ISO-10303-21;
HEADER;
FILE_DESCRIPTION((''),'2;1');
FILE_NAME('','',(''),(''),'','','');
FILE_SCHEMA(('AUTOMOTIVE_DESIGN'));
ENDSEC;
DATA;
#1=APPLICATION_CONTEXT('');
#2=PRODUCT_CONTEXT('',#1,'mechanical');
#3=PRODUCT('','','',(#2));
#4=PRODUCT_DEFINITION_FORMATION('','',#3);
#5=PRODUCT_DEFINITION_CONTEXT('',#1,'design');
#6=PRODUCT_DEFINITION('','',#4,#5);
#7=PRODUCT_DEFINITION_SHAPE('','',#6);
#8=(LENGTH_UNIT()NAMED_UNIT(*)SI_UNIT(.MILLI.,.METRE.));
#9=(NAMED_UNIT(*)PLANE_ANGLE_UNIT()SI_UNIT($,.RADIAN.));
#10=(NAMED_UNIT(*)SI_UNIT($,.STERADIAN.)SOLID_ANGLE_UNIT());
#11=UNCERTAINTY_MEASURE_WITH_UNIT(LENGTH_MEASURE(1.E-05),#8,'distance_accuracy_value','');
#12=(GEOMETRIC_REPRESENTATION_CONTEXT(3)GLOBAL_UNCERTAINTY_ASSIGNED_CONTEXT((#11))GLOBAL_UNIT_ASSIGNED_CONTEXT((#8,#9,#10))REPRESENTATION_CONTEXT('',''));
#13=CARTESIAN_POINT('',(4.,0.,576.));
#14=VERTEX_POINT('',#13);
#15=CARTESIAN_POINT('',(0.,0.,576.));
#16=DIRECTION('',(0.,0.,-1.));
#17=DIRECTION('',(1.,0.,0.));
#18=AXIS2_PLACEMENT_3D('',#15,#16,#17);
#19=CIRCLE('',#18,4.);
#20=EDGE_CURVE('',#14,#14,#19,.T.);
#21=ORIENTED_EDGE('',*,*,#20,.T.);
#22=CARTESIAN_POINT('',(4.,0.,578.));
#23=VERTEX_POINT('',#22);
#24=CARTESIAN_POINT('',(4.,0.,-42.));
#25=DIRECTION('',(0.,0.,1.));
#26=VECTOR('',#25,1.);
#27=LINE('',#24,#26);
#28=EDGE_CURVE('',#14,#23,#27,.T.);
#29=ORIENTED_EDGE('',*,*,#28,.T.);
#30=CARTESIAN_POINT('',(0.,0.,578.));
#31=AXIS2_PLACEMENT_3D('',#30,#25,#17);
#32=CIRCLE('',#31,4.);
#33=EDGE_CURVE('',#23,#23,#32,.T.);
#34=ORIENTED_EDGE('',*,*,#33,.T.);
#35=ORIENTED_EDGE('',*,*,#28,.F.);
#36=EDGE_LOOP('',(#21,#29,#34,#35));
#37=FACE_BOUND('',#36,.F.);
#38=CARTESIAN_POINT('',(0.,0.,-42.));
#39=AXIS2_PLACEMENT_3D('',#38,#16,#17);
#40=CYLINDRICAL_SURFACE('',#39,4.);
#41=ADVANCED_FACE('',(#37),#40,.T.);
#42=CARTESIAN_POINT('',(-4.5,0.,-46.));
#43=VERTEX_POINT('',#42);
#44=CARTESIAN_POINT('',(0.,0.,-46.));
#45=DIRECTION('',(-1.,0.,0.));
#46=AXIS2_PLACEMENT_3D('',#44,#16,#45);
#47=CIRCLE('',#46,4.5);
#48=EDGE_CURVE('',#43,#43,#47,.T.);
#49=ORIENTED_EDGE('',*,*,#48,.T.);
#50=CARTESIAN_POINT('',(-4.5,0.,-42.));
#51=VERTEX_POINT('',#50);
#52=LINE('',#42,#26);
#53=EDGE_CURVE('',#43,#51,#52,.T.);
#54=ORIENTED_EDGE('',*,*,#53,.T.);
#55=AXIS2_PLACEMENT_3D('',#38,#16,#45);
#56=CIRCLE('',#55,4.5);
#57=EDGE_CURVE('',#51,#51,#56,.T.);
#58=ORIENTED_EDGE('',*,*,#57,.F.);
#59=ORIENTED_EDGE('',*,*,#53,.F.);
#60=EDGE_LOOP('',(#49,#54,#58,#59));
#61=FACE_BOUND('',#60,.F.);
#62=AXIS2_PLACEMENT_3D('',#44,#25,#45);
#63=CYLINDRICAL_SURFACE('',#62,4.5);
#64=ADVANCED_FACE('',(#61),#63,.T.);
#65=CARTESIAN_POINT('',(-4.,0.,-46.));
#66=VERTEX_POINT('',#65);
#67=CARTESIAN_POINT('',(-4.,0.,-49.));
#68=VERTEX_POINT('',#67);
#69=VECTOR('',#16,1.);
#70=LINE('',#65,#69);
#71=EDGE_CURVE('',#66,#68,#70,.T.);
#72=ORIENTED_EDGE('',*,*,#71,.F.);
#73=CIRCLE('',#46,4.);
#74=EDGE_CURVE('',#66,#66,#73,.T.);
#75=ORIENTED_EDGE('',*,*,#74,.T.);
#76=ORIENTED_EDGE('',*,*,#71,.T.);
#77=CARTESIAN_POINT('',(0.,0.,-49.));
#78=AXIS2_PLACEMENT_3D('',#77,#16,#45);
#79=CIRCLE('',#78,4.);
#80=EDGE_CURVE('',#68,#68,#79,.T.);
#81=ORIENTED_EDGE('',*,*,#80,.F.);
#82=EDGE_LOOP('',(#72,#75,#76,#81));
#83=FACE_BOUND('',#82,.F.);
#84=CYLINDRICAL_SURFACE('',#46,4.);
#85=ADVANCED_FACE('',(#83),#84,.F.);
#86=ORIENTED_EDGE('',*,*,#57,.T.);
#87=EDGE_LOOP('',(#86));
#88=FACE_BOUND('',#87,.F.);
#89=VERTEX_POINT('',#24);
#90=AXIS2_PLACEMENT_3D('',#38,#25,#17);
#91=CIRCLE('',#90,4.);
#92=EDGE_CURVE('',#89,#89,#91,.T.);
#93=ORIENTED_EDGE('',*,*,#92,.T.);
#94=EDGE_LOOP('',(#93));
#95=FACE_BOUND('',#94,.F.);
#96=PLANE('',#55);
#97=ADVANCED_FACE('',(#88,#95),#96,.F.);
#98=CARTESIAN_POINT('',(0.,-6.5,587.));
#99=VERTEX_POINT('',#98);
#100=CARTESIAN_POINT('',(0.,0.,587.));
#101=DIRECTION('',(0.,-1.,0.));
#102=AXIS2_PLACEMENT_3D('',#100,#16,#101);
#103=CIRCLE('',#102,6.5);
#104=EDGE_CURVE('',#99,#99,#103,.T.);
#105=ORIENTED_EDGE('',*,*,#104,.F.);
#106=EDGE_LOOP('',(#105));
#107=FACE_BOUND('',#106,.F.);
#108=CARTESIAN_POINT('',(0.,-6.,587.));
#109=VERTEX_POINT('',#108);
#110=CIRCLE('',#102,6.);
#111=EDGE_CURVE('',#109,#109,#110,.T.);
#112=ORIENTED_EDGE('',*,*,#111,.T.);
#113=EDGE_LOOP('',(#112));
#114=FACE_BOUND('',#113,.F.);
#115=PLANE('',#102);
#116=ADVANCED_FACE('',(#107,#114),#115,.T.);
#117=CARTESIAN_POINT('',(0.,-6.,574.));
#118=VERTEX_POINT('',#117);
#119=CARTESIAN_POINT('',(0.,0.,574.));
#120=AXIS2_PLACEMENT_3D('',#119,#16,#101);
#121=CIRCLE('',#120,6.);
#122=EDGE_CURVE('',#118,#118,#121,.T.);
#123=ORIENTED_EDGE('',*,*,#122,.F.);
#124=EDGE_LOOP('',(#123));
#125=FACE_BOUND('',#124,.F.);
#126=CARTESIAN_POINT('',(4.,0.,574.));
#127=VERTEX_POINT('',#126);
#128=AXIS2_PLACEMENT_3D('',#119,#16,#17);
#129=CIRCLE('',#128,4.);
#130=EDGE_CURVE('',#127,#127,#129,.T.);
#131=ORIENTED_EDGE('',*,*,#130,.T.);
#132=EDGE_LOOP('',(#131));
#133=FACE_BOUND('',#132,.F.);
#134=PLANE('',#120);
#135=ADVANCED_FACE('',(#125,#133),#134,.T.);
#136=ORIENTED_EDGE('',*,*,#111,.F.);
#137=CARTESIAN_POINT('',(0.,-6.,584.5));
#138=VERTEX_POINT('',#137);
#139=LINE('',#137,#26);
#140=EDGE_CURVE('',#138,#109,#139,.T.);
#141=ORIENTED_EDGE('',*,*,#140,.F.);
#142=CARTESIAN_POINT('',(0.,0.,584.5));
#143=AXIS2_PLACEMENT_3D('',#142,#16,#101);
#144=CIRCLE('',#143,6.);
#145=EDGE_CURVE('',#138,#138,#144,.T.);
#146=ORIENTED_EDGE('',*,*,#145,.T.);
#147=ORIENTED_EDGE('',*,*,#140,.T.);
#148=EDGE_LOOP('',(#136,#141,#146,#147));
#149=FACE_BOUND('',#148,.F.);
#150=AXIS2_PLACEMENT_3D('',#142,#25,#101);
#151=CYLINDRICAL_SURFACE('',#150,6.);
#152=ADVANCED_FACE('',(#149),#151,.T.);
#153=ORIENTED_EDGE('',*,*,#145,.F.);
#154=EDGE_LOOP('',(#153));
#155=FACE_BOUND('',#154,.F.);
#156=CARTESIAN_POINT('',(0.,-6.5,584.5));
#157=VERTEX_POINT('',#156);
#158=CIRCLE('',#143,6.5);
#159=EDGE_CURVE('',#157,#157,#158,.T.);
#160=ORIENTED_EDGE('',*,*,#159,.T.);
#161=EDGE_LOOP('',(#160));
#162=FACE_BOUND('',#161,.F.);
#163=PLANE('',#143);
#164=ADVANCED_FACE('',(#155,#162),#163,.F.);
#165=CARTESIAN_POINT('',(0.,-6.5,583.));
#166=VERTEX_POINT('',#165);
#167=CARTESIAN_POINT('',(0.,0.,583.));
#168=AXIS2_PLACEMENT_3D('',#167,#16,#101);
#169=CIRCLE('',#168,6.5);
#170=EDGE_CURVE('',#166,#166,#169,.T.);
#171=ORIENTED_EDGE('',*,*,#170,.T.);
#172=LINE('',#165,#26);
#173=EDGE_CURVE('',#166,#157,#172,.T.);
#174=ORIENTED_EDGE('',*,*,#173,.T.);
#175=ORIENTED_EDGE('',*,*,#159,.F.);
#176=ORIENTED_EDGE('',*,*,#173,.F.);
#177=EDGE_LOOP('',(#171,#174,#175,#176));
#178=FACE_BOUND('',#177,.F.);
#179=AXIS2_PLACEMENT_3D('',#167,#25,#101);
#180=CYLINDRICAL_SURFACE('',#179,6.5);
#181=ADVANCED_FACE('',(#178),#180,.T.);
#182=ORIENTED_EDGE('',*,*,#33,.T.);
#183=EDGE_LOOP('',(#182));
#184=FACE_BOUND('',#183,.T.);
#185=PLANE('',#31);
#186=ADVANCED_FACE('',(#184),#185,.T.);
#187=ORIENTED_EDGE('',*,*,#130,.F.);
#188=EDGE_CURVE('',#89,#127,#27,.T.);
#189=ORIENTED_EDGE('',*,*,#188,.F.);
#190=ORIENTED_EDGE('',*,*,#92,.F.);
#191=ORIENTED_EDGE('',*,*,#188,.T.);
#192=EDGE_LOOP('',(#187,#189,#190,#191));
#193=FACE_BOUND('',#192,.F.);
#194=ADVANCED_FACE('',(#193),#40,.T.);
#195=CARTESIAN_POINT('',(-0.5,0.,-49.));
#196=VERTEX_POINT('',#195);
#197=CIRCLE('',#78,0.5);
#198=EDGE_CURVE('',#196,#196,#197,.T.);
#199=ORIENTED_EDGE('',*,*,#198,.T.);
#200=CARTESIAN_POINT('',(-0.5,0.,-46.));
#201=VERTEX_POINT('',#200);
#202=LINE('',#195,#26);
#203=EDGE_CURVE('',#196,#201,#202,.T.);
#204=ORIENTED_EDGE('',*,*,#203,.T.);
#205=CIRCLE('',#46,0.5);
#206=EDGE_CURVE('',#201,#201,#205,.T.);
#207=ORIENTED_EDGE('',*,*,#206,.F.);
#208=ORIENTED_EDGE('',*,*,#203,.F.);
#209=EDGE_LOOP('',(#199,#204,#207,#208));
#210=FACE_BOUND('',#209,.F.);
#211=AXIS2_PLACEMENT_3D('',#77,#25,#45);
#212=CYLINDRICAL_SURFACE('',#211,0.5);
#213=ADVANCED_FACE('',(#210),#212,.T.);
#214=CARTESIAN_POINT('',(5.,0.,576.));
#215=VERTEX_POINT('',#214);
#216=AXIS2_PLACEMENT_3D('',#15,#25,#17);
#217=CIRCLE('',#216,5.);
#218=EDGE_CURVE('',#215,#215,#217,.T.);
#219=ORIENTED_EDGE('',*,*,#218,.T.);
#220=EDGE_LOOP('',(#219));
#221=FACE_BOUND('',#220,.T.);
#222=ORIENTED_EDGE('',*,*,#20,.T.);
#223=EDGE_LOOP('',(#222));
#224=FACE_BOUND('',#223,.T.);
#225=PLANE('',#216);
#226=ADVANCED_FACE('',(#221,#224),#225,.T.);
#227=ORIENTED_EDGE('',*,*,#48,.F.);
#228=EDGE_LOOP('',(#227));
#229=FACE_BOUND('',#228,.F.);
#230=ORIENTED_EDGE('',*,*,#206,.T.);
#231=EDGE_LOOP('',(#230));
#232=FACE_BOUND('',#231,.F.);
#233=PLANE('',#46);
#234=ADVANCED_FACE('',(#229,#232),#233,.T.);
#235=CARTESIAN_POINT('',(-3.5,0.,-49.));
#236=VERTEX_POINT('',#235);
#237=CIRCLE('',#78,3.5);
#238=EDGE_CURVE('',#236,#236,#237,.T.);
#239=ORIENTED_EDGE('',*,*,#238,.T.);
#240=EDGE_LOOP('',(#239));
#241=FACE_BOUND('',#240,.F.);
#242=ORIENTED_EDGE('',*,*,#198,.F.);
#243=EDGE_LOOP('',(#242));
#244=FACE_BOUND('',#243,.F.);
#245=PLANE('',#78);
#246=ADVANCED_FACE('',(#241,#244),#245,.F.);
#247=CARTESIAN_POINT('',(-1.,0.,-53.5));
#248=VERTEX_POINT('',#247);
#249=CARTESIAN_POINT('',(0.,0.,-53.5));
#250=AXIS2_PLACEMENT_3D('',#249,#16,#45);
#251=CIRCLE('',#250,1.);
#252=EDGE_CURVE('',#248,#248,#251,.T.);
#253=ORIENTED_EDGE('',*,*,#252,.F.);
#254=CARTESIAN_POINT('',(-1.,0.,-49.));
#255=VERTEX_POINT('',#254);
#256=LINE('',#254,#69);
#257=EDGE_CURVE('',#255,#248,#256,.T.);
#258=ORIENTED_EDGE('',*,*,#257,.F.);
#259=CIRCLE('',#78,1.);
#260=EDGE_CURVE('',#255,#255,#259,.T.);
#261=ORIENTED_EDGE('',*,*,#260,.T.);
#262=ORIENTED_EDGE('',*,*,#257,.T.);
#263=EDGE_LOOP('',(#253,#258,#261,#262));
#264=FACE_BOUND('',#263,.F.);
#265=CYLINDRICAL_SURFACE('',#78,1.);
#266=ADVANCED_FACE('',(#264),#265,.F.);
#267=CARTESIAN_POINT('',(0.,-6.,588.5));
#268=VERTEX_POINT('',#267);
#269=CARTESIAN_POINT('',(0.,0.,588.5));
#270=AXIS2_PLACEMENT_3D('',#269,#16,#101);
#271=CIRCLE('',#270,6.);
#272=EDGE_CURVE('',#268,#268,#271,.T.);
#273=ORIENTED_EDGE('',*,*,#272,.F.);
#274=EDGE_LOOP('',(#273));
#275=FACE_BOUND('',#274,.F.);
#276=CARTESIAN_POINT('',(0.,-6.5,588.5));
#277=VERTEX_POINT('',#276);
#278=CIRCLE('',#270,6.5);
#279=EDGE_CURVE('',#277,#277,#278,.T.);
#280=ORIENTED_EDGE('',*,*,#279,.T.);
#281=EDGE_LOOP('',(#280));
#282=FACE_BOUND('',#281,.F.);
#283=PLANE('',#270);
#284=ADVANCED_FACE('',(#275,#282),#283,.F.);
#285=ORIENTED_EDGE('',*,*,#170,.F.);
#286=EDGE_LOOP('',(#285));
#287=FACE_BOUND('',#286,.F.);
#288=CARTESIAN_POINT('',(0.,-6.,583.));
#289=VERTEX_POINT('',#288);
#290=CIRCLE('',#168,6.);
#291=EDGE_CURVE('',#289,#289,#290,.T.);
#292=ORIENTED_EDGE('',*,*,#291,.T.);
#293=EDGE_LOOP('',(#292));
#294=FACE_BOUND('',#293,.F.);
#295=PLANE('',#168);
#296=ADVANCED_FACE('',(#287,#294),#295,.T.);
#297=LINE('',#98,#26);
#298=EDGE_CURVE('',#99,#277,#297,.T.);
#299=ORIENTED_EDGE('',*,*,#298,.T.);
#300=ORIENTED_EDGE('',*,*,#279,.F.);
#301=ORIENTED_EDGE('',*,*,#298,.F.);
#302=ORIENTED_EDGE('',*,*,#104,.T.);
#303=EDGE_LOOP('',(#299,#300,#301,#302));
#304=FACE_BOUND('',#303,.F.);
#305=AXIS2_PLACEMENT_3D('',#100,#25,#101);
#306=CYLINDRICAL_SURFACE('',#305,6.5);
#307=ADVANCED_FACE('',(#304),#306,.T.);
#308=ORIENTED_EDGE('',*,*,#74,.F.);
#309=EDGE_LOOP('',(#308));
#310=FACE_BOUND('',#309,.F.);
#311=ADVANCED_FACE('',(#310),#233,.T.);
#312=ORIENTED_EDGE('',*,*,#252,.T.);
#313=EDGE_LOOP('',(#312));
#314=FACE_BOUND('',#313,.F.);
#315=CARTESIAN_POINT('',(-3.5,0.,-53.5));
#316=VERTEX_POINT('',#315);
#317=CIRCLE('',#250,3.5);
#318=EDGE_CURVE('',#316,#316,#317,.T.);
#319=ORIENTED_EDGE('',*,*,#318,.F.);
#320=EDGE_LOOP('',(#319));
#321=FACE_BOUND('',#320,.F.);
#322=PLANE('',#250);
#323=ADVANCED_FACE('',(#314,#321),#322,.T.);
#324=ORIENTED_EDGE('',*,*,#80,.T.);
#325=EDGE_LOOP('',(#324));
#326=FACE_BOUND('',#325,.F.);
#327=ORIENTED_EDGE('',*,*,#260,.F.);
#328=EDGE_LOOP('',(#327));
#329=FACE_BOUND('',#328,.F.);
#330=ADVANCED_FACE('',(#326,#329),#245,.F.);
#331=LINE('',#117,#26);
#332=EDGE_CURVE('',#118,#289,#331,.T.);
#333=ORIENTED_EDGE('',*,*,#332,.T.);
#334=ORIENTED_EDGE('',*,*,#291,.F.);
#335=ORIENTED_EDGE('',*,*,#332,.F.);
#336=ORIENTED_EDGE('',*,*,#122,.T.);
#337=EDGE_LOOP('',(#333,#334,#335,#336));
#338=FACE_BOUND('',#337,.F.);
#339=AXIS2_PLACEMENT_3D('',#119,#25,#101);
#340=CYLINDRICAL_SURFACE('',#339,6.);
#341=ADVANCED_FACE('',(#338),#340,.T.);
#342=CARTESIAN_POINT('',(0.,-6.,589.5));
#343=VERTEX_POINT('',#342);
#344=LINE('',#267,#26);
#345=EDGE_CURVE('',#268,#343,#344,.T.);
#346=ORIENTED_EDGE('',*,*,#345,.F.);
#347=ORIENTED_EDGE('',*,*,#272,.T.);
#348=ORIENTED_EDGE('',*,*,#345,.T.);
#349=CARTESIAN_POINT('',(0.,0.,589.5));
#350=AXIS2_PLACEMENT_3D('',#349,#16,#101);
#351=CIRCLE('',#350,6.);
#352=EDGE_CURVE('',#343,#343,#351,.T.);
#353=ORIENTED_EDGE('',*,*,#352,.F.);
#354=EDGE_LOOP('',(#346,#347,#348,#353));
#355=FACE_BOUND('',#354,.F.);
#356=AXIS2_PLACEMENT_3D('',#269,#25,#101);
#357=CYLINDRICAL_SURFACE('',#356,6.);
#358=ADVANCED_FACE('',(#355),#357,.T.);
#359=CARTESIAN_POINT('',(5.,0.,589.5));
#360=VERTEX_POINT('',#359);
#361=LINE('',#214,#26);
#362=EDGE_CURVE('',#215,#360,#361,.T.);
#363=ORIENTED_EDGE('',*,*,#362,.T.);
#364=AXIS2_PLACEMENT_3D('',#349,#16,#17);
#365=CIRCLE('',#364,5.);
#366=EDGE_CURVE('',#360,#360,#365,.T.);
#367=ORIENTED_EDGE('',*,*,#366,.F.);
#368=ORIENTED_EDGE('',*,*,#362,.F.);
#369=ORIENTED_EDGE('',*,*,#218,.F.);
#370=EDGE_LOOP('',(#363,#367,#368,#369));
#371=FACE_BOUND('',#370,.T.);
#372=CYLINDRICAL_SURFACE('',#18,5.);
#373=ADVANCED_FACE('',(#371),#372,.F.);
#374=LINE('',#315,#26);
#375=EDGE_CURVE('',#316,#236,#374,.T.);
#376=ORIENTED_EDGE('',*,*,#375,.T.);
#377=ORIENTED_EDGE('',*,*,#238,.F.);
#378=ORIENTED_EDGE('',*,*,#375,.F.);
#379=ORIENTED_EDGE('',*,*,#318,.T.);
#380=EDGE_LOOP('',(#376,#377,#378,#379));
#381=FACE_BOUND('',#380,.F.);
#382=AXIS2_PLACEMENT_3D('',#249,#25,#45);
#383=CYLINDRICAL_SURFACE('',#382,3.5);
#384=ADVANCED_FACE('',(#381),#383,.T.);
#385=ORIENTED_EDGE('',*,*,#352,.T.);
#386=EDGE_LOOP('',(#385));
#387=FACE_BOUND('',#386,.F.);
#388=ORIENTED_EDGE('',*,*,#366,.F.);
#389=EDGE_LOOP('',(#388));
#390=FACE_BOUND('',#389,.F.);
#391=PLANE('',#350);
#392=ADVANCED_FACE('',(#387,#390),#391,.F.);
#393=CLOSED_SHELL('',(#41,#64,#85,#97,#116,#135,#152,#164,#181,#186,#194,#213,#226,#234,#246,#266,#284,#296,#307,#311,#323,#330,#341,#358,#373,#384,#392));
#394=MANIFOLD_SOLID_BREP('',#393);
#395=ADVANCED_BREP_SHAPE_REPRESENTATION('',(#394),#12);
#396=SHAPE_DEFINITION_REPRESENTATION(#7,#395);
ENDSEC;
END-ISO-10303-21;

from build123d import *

# Parameters (mm, degrees)
CYLINDER008_R              = 4
CYLINDER008_DEPTH          = 620
REVOLVE006_PLACEMENT_ANGLE = 180
CYLINDER009_R              = 5
CYLINDER009_DEPTH          = 30
REVOLVE007_PLACEMENT_ANGLE = 180


with BuildPart() as cylinder008:
    # Cylinder008 → Cylinder008 (new body)
    with BuildSketch(Plane.XY):
        Circle(CYLINDER008_R)
    extrude(amount=CYLINDER008_DEPTH)


with BuildPart() as revolve006:
    # Sketch006 → Revolve006 (revolve)
    with BuildSketch(Plane.XZ):
        Polygon((0, 0), (0, 4), (4, 4), (4, 7), (1, 7), (1, 11.5), (3.5, 11.5), (3.5, 7), (0.5, 7), (0.5, 4), (4.5, 4), (4.5, 0), align=None)
    revolve(axis=Axis((0, 0, 0), (0, 0, 1)))


with BuildPart() as revolve006_1:
    # Revolve006 placement: moved
    add(revolve006.part.rotate(Axis((0, 0, 0), (0, 1, 0)), REVOLVE006_PLACEMENT_ANGLE))


with BuildPart() as cylinder009:
    # Cylinder009 → Cylinder009 (new body)
    with BuildSketch(Plane.XY.offset(618)):
        Circle(CYLINDER009_R)
    extrude(amount=CYLINDER009_DEPTH)


with BuildPart() as straw003:
    # Sketch007 → Revolve007 (revolve)
    with BuildSketch(Plane.YZ):
        Polygon((0, 0), (0, 1), (-0.5, 1), (-0.5, 2.5), (0, 2.5), (0, 5), (-0.5, 5), (-0.5, 6.5), (0, 6.5), (0, 15.5), (6, 15.5), (6, 6.5), (6.5, 6.5), (6.5, 5), (6, 5), (6, 2.5), (6.5, 2.5), (6.5, 1), (6, 1), (6, 0), align=None)
    revolve(axis=Axis((0, 0, 0), (0, 0, 1)))


with BuildPart() as straw003_1:
    # Revolve007 placement: moved
    add(straw003.part.moved(Location((0, 0, 631.5))).rotate(Axis((0, 0, 631.5), (1, 0, 0)), REVOLVE007_PLACEMENT_ANGLE))

    # Cut006: cut Cylinder009
    add(cylinder009.part, mode=Mode.SUBTRACT)

    # Fusion003: union Cylinder008, Revolve006
    add(cylinder008.part)
    add(revolve006_1.part)


with BuildPart() as straw003_2:
    # Fusion003 placement: moved
    add(straw003_1.part.moved(Location((0, 0, -42))))


solid = straw003_2.part
